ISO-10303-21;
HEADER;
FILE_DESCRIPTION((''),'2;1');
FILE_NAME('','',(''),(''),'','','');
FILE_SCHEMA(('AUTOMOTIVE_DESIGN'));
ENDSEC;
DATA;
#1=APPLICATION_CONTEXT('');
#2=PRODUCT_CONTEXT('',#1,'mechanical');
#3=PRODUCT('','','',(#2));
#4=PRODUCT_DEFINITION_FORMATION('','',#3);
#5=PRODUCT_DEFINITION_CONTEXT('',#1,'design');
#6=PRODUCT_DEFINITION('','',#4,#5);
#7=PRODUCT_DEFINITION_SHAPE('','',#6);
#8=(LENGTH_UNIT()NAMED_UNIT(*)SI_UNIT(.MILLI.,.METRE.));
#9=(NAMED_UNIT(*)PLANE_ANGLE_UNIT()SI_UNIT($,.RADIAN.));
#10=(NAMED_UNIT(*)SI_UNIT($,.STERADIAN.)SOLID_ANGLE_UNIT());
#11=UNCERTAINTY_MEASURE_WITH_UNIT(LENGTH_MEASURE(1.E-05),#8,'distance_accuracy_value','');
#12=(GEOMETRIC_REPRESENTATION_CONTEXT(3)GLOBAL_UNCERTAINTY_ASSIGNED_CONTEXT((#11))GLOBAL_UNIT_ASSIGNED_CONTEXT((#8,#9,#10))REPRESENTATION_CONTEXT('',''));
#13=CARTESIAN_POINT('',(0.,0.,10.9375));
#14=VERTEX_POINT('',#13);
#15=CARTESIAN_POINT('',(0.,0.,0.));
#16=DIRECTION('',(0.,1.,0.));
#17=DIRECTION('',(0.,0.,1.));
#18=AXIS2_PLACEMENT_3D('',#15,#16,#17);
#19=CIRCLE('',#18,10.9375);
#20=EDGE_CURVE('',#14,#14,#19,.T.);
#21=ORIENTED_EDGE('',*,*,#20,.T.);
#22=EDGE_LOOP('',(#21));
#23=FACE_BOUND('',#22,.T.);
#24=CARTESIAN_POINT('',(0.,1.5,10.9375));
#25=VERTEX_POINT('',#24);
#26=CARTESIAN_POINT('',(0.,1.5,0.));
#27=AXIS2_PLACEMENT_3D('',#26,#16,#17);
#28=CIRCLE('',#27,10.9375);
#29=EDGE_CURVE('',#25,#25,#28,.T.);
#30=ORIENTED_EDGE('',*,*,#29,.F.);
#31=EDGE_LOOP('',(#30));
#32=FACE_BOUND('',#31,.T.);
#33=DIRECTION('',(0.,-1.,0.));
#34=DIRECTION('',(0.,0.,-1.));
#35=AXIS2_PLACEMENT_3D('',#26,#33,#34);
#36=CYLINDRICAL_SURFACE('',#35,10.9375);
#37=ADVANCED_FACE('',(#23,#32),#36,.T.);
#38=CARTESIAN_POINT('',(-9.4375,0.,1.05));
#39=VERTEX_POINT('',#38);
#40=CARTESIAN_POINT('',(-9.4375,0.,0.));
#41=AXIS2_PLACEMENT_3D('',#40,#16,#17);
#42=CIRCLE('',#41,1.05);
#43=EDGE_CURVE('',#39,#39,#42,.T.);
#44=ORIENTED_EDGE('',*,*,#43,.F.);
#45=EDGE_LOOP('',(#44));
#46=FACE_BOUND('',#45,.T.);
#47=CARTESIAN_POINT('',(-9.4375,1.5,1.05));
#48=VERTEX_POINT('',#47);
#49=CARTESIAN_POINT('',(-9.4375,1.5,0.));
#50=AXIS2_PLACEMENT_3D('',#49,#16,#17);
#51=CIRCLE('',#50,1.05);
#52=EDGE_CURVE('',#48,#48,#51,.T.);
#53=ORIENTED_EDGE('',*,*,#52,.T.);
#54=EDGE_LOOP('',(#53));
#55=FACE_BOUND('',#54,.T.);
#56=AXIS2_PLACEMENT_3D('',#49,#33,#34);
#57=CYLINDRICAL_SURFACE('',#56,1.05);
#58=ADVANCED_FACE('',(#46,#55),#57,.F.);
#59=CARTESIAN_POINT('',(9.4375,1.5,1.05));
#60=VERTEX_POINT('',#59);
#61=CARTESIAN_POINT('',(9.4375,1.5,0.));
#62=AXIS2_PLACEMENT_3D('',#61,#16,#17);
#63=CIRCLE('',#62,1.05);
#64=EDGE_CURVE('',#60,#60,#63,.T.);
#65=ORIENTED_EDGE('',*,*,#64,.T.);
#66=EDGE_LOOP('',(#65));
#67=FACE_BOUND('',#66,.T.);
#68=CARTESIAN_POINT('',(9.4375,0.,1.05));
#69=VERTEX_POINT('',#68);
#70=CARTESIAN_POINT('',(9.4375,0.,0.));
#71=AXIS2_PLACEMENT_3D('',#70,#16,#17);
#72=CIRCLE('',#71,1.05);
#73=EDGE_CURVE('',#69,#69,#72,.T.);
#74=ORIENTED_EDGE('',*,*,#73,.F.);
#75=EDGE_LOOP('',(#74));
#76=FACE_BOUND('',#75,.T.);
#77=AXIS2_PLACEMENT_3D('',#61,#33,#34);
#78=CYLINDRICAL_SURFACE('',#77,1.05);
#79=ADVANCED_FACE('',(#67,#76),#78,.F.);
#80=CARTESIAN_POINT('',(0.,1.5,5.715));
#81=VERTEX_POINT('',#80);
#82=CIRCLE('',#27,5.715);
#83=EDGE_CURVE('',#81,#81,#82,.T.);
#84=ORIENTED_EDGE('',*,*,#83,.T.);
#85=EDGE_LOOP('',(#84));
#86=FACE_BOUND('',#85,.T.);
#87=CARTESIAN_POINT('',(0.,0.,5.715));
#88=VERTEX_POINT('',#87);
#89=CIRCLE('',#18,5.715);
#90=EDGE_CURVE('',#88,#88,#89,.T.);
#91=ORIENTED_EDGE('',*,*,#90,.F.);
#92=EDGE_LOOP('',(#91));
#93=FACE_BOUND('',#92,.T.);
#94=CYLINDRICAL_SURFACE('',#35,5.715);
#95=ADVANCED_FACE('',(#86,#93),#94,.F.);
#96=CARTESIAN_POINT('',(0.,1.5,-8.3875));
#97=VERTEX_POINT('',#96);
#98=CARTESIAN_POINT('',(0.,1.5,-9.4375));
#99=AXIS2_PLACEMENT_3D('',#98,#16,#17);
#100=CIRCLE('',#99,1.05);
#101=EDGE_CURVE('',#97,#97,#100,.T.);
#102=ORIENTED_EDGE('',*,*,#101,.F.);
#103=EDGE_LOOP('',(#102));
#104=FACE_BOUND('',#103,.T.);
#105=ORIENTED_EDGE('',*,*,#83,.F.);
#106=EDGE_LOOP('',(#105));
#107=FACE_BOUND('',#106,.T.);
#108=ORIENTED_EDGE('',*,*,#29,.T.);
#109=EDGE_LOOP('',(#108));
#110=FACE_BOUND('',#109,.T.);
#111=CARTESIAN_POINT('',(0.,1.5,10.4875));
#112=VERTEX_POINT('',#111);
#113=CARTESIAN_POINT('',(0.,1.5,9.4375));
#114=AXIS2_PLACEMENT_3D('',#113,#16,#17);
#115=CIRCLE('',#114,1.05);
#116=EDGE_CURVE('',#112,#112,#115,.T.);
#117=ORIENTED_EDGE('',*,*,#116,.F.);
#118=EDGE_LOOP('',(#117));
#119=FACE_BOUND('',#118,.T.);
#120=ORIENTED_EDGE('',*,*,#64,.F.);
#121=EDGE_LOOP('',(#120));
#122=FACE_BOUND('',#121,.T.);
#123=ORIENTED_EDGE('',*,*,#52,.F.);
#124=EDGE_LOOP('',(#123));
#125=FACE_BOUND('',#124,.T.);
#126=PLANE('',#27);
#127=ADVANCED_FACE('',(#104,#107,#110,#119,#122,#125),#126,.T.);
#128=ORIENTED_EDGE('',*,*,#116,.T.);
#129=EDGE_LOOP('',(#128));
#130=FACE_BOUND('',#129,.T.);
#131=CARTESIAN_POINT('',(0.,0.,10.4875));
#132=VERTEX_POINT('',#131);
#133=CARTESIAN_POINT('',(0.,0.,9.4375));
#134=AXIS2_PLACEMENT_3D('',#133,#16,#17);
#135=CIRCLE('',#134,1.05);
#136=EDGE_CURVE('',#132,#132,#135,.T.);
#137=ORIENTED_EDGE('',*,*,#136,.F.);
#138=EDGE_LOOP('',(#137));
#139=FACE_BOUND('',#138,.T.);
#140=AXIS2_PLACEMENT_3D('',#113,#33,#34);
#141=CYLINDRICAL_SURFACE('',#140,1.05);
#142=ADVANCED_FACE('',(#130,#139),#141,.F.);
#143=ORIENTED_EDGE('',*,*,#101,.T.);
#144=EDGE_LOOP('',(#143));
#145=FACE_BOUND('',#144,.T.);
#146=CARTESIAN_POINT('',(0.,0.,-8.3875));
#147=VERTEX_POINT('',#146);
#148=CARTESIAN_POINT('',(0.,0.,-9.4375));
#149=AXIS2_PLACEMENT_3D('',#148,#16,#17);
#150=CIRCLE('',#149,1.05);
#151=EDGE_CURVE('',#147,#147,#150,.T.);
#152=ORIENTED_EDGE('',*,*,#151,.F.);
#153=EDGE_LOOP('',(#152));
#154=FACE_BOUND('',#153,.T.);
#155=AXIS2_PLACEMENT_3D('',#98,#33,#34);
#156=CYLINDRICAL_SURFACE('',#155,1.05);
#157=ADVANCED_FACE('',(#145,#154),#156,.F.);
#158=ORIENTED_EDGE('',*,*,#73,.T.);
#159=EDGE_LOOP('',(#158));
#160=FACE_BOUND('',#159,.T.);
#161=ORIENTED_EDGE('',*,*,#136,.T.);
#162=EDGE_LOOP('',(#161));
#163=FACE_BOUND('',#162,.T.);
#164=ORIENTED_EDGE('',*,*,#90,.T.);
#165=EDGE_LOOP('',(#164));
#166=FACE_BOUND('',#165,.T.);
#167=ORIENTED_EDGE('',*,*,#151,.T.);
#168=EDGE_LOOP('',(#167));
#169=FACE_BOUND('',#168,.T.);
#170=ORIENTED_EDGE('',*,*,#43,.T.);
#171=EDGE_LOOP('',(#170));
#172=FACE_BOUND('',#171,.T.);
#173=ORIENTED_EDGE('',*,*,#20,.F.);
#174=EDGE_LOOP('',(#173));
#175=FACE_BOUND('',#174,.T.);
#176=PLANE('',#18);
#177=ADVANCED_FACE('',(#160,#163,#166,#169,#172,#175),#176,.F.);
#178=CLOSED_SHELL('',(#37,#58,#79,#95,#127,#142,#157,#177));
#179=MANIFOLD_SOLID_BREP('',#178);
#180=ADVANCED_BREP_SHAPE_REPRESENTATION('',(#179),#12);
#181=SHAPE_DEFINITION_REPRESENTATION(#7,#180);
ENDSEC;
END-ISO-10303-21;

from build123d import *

# Parameters (mm, degrees)
SKETCH1_R           = 10.9375
SKETCH1_R_2         = 5.715
SKETCH1_R_3         = 1.05
BOSS_EXTRUDE1_DEPTH = 1.5


with BuildPart() as part:
    # Sketch1 → Boss-Extrude1 (new body)
    with BuildSketch(Plane(origin=(0, 0, 0), x_dir=(1, 0, 0), z_dir=(0, 1, 0))):
        with Locations(Location((0, 0, 0), (0, 0, 270))):
            Circle(SKETCH1_R)
        with Locations(Location((0, 0, 0), (0, 0, 270))):
            Circle(SKETCH1_R_2, mode=Mode.SUBTRACT)
        with Locations(Location((0, 9.4375, 0), (0, 0, 270))):
            Circle(SKETCH1_R_3, mode=Mode.SUBTRACT)
        with Locations(Location((9.4375, 0, 0), (0, 0, 270))):
            Circle(SKETCH1_R_3, mode=Mode.SUBTRACT)
        with Locations(Location((0, -9.4375, 0), (0, 0, 270))):
            Circle(SKETCH1_R_3, mode=Mode.SUBTRACT)
        with Locations(Location((-9.4375, 0, 0), (0, 0, 270))):
            Circle(SKETCH1_R_3, mode=Mode.SUBTRACT)
    extrude(amount=BOSS_EXTRUDE1_DEPTH)


solid = part.part
